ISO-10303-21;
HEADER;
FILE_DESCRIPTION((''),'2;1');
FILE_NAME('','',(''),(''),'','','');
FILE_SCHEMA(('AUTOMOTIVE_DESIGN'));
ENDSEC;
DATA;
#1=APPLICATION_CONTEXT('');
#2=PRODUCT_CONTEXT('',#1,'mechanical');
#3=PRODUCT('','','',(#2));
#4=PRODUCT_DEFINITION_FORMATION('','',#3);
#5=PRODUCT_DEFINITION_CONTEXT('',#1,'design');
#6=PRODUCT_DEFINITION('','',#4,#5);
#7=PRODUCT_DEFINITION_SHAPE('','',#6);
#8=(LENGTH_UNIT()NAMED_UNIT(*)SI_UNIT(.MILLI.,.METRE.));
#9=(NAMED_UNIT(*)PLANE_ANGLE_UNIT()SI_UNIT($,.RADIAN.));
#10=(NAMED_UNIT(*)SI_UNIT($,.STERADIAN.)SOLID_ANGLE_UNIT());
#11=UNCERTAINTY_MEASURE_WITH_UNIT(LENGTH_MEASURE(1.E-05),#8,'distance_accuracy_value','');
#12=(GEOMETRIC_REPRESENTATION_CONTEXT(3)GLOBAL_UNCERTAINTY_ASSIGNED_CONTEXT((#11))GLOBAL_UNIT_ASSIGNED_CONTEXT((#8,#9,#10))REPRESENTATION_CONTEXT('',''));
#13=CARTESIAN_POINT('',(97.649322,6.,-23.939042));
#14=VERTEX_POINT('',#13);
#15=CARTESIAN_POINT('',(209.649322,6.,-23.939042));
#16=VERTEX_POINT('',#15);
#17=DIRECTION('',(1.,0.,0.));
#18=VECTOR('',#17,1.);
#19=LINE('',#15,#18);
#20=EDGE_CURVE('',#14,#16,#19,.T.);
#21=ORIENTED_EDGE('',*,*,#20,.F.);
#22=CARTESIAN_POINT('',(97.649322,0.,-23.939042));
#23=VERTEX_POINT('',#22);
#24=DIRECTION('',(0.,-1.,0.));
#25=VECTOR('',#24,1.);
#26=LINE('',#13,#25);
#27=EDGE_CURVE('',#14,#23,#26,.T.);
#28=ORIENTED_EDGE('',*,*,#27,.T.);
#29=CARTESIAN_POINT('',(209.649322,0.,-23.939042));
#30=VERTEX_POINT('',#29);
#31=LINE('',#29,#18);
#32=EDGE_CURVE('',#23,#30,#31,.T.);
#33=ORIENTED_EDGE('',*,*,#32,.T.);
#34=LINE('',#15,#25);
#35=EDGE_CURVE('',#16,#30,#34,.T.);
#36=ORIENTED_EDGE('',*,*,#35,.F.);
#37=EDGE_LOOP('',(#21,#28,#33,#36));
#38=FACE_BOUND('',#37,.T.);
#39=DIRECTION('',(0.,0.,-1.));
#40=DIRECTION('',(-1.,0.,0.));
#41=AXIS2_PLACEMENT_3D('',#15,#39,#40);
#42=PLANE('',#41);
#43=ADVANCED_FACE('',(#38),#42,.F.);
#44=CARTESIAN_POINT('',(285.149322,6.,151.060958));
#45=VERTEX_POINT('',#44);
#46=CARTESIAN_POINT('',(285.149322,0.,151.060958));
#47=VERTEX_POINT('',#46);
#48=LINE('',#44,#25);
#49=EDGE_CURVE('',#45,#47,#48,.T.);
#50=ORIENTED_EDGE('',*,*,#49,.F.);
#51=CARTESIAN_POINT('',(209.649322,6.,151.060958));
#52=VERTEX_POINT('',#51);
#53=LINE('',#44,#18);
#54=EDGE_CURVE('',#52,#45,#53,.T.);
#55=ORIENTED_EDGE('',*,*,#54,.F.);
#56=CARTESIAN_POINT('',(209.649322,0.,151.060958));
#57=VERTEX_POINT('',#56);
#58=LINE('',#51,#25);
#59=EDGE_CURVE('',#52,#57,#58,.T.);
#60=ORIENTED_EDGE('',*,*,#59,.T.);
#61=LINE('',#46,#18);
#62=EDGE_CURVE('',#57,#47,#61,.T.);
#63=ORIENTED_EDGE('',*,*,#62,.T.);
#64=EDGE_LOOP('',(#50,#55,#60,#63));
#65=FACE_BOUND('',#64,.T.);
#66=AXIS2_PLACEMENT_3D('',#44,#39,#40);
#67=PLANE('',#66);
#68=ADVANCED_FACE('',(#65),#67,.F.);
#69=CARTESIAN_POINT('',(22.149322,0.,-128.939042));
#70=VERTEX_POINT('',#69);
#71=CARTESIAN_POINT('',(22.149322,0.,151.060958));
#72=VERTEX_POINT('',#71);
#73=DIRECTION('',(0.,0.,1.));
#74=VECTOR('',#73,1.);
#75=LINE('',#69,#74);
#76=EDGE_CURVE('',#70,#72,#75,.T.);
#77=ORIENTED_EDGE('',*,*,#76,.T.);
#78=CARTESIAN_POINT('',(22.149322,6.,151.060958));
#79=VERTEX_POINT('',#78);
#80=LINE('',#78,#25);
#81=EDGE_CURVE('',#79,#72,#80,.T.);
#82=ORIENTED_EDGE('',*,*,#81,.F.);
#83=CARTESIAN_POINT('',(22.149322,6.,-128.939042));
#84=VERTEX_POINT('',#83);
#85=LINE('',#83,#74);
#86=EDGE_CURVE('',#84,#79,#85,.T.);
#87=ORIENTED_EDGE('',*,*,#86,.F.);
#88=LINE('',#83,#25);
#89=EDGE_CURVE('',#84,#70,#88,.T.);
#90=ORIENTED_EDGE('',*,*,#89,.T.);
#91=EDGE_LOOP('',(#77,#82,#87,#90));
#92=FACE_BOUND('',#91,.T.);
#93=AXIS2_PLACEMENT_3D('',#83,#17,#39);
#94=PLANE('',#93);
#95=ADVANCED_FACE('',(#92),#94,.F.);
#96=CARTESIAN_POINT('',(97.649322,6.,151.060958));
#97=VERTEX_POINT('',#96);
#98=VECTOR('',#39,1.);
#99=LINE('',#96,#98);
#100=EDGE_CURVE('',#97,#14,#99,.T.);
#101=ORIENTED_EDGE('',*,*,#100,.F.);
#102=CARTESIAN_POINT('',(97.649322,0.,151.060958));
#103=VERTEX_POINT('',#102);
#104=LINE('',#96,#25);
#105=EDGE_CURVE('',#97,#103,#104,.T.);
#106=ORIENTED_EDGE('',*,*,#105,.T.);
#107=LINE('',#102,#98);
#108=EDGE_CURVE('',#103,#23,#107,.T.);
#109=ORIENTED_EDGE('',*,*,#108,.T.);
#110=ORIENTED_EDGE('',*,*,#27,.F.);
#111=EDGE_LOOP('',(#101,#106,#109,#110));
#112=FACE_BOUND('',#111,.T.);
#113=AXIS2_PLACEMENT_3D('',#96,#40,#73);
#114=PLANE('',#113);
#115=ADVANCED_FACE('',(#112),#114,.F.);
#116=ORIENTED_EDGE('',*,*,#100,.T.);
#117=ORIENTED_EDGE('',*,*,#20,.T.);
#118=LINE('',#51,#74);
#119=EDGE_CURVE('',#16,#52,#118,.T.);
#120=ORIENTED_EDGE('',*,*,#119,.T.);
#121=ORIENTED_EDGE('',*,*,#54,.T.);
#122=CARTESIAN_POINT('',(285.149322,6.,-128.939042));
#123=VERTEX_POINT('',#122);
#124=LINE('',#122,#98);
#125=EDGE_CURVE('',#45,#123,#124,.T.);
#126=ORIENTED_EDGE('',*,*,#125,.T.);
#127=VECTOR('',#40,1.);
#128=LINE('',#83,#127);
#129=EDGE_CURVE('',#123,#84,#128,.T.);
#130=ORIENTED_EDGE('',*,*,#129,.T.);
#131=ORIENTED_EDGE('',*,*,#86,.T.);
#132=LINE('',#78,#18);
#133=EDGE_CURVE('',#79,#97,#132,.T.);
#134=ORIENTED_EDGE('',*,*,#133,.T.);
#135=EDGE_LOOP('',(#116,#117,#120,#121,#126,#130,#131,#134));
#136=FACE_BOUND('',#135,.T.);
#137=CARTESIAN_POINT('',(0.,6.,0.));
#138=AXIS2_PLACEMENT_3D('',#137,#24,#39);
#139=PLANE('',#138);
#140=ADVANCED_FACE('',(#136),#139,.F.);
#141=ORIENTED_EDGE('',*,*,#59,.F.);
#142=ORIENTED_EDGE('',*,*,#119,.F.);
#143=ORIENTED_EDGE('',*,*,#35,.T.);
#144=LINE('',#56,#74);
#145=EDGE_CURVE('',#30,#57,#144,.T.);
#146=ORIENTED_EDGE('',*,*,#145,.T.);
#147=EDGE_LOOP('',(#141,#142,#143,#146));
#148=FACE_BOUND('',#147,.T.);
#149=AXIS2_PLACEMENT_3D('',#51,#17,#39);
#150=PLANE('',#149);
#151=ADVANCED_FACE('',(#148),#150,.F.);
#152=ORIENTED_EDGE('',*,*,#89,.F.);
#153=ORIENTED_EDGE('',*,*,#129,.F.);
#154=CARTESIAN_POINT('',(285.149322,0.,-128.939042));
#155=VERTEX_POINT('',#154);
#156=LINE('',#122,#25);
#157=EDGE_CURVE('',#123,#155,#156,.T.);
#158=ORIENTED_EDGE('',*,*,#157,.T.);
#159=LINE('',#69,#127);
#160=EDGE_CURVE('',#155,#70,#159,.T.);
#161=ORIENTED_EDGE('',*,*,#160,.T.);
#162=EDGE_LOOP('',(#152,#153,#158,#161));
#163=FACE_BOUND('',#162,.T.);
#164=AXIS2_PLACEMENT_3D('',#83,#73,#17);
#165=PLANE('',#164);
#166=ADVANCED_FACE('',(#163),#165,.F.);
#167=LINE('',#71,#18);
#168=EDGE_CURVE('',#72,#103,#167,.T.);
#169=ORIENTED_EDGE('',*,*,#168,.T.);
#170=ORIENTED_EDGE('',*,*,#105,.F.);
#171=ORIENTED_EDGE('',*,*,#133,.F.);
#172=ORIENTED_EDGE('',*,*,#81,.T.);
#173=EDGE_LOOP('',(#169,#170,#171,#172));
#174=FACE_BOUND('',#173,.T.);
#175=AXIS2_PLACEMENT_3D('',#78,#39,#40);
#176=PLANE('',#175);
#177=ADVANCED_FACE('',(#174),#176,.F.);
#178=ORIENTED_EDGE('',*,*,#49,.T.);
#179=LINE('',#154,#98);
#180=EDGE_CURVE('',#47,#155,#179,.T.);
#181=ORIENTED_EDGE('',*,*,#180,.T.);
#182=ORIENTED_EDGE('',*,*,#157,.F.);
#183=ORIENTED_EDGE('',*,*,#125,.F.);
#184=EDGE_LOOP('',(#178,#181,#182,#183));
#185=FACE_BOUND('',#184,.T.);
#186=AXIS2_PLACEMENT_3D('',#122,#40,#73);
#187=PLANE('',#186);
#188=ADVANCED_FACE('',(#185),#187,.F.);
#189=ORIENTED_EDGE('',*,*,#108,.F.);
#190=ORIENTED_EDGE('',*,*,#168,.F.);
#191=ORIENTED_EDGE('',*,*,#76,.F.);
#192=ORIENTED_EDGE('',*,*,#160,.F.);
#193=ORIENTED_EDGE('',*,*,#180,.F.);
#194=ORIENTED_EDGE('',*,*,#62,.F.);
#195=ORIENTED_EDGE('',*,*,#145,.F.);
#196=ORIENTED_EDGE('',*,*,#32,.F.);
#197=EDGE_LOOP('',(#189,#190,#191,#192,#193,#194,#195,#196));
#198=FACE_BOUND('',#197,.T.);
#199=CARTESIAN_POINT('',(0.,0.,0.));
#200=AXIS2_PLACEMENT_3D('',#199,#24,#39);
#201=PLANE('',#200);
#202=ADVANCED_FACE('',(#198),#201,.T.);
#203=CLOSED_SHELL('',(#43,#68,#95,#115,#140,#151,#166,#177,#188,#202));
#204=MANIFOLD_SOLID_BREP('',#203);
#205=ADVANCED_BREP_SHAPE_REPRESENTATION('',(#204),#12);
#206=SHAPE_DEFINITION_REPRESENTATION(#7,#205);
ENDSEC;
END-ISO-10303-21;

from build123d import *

# Parameters (mm, degrees)
BOSS_EXTRUDE2_DEPTH = 6


with BuildPart() as part:
    # Sketch2 → Boss-Extrude2 (new body)
    with BuildSketch(Plane(origin=(0, 0, 0), x_dir=(1, 0, 0), z_dir=(0, 1, 0))):
        Polygon((22.14932162, 128.939042428), (22.14932162, -151.060957572), (97.64932162, -151.060957572), (97.64932162, 23.939042428), (209.64932162, 23.939042428), (209.64932162, -151.060957572), (285.14932162, -151.060957572), (285.14932162, 128.939042428), align=None)
    extrude(amount=BOSS_EXTRUDE2_DEPTH)


solid = part.part
